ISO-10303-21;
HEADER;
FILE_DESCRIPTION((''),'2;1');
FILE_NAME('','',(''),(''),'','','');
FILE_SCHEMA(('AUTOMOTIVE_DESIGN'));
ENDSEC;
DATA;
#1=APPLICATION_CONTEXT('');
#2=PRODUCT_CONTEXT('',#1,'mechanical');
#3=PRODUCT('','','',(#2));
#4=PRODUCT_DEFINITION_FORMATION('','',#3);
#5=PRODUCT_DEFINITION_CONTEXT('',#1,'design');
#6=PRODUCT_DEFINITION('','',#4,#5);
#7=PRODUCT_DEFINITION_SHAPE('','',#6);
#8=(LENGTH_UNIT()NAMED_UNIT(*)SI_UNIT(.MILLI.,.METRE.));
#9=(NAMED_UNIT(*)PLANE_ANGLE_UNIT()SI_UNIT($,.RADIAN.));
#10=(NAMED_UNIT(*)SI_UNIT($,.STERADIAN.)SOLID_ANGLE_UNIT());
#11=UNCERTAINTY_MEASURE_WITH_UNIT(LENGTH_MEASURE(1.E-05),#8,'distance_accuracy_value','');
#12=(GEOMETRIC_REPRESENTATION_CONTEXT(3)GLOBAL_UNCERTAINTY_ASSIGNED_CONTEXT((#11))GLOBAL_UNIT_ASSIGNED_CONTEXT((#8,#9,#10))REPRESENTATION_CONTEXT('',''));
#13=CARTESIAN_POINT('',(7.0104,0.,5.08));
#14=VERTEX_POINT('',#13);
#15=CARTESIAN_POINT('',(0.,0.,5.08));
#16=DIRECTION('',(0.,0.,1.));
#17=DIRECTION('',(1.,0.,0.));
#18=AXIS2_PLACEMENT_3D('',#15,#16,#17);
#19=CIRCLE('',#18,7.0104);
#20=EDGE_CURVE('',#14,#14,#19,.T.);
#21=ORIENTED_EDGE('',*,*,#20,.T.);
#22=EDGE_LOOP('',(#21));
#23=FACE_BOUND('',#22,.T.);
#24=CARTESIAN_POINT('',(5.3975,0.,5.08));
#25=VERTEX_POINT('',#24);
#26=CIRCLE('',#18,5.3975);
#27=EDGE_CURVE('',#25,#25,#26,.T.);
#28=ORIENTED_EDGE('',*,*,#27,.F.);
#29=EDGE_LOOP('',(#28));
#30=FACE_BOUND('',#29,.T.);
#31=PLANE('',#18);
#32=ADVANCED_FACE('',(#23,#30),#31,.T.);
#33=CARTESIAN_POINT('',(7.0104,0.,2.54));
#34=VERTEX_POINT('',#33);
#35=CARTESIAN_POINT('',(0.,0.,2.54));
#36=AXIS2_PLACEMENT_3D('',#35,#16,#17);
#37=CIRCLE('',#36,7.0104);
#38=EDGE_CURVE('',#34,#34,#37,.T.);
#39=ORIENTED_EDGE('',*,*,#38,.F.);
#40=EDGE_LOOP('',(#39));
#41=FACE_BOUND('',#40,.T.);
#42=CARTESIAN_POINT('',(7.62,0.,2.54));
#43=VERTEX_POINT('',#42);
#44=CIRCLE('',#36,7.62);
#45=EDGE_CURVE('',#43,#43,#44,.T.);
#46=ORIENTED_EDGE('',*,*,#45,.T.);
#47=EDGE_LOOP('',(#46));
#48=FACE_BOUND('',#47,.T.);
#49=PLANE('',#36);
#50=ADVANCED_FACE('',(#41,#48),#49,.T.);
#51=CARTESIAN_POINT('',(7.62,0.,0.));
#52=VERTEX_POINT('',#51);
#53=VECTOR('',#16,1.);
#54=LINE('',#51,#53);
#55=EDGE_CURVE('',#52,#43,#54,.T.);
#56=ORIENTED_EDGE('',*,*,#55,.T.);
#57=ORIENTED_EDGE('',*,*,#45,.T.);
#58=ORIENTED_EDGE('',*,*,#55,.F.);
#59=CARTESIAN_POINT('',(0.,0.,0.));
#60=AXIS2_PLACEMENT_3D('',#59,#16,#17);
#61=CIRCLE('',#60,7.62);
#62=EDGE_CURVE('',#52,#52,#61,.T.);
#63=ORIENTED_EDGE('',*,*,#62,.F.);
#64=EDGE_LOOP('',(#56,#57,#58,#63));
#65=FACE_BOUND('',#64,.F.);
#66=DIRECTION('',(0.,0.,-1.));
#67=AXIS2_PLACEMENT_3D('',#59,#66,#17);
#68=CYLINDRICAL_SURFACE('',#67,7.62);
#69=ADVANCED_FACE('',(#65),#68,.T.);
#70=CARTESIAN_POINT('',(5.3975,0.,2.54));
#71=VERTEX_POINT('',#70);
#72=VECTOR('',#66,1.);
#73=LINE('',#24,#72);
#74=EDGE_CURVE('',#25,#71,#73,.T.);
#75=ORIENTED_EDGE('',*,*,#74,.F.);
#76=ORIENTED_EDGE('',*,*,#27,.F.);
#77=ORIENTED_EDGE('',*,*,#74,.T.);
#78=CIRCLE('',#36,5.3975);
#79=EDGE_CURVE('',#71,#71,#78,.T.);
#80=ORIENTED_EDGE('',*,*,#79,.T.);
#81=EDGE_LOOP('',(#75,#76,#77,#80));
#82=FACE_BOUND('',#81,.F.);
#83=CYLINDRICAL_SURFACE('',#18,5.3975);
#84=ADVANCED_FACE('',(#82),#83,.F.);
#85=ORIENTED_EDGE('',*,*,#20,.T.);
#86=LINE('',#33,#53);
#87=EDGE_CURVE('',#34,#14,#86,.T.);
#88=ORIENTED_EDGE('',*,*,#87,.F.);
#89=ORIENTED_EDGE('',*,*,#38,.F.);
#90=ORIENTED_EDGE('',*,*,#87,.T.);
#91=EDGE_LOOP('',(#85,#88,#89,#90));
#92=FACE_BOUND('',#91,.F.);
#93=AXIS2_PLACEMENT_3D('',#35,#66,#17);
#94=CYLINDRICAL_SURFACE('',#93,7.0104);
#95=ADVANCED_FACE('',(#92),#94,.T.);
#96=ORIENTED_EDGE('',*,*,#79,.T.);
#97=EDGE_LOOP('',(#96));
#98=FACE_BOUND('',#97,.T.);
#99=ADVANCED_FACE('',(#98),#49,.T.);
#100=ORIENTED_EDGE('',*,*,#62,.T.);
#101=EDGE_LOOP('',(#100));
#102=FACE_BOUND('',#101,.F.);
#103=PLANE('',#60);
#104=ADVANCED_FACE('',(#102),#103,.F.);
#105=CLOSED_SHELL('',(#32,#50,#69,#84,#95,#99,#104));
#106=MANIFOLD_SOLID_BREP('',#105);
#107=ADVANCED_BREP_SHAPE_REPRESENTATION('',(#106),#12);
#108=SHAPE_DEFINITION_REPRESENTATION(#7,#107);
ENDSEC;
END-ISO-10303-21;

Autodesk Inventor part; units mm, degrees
ref_plane "YZ Plane" through (0, 0, 0) normal (1, 0, 0) x (0, 1, 0)
ref_plane "XZ Plane" through (0, 0, 0) normal (0, 1, 0) x (-1, 0, 0)
ref_plane "XY Plane" through (0, 0, 0) normal (0, 0, 1) x (1, 0, 0)
sketch "Sketch1" plane through (0, 0, 0) normal (0, 0, 1) x (1, 0, 0)
  circle A0 centre (0, 0) radius 7.62
  dimension "d0" = 15.24
extrude "Extrusion1" add sketch "Sketch1" along normal blind 2.54
sketch "Sketch2" plane through (0, 0, 2.54) normal (0, 0, 1) x (1, 0, 0)
  circle A0 centre (0, 0) radius 7.62 projected
  circle A1 centre (0, 0) radius 7.0104
  dimension "d3" = 14.0208
extrude "Extrusion2" add sketch "Sketch2" along normal blind 2.54 contours A1
thread "Thread1" size "4-40 UNC" class "2A" standard "ANSI Unified Screw Threads" full length
sketch "Sketch3" plane through (0, 0, 5.08) normal (0, 0, 1) x (1, 0, 0)
  circle A0 centre (0, 0) radius 7.0104 projected
  circle A1 centre (0, 0) radius 5.3975
  dimension "d8" = 10.795
extrude "Extrusion3" cut sketch "Sketch3" against normal blind 2.54 contours A1
properties part number "cap_a"
